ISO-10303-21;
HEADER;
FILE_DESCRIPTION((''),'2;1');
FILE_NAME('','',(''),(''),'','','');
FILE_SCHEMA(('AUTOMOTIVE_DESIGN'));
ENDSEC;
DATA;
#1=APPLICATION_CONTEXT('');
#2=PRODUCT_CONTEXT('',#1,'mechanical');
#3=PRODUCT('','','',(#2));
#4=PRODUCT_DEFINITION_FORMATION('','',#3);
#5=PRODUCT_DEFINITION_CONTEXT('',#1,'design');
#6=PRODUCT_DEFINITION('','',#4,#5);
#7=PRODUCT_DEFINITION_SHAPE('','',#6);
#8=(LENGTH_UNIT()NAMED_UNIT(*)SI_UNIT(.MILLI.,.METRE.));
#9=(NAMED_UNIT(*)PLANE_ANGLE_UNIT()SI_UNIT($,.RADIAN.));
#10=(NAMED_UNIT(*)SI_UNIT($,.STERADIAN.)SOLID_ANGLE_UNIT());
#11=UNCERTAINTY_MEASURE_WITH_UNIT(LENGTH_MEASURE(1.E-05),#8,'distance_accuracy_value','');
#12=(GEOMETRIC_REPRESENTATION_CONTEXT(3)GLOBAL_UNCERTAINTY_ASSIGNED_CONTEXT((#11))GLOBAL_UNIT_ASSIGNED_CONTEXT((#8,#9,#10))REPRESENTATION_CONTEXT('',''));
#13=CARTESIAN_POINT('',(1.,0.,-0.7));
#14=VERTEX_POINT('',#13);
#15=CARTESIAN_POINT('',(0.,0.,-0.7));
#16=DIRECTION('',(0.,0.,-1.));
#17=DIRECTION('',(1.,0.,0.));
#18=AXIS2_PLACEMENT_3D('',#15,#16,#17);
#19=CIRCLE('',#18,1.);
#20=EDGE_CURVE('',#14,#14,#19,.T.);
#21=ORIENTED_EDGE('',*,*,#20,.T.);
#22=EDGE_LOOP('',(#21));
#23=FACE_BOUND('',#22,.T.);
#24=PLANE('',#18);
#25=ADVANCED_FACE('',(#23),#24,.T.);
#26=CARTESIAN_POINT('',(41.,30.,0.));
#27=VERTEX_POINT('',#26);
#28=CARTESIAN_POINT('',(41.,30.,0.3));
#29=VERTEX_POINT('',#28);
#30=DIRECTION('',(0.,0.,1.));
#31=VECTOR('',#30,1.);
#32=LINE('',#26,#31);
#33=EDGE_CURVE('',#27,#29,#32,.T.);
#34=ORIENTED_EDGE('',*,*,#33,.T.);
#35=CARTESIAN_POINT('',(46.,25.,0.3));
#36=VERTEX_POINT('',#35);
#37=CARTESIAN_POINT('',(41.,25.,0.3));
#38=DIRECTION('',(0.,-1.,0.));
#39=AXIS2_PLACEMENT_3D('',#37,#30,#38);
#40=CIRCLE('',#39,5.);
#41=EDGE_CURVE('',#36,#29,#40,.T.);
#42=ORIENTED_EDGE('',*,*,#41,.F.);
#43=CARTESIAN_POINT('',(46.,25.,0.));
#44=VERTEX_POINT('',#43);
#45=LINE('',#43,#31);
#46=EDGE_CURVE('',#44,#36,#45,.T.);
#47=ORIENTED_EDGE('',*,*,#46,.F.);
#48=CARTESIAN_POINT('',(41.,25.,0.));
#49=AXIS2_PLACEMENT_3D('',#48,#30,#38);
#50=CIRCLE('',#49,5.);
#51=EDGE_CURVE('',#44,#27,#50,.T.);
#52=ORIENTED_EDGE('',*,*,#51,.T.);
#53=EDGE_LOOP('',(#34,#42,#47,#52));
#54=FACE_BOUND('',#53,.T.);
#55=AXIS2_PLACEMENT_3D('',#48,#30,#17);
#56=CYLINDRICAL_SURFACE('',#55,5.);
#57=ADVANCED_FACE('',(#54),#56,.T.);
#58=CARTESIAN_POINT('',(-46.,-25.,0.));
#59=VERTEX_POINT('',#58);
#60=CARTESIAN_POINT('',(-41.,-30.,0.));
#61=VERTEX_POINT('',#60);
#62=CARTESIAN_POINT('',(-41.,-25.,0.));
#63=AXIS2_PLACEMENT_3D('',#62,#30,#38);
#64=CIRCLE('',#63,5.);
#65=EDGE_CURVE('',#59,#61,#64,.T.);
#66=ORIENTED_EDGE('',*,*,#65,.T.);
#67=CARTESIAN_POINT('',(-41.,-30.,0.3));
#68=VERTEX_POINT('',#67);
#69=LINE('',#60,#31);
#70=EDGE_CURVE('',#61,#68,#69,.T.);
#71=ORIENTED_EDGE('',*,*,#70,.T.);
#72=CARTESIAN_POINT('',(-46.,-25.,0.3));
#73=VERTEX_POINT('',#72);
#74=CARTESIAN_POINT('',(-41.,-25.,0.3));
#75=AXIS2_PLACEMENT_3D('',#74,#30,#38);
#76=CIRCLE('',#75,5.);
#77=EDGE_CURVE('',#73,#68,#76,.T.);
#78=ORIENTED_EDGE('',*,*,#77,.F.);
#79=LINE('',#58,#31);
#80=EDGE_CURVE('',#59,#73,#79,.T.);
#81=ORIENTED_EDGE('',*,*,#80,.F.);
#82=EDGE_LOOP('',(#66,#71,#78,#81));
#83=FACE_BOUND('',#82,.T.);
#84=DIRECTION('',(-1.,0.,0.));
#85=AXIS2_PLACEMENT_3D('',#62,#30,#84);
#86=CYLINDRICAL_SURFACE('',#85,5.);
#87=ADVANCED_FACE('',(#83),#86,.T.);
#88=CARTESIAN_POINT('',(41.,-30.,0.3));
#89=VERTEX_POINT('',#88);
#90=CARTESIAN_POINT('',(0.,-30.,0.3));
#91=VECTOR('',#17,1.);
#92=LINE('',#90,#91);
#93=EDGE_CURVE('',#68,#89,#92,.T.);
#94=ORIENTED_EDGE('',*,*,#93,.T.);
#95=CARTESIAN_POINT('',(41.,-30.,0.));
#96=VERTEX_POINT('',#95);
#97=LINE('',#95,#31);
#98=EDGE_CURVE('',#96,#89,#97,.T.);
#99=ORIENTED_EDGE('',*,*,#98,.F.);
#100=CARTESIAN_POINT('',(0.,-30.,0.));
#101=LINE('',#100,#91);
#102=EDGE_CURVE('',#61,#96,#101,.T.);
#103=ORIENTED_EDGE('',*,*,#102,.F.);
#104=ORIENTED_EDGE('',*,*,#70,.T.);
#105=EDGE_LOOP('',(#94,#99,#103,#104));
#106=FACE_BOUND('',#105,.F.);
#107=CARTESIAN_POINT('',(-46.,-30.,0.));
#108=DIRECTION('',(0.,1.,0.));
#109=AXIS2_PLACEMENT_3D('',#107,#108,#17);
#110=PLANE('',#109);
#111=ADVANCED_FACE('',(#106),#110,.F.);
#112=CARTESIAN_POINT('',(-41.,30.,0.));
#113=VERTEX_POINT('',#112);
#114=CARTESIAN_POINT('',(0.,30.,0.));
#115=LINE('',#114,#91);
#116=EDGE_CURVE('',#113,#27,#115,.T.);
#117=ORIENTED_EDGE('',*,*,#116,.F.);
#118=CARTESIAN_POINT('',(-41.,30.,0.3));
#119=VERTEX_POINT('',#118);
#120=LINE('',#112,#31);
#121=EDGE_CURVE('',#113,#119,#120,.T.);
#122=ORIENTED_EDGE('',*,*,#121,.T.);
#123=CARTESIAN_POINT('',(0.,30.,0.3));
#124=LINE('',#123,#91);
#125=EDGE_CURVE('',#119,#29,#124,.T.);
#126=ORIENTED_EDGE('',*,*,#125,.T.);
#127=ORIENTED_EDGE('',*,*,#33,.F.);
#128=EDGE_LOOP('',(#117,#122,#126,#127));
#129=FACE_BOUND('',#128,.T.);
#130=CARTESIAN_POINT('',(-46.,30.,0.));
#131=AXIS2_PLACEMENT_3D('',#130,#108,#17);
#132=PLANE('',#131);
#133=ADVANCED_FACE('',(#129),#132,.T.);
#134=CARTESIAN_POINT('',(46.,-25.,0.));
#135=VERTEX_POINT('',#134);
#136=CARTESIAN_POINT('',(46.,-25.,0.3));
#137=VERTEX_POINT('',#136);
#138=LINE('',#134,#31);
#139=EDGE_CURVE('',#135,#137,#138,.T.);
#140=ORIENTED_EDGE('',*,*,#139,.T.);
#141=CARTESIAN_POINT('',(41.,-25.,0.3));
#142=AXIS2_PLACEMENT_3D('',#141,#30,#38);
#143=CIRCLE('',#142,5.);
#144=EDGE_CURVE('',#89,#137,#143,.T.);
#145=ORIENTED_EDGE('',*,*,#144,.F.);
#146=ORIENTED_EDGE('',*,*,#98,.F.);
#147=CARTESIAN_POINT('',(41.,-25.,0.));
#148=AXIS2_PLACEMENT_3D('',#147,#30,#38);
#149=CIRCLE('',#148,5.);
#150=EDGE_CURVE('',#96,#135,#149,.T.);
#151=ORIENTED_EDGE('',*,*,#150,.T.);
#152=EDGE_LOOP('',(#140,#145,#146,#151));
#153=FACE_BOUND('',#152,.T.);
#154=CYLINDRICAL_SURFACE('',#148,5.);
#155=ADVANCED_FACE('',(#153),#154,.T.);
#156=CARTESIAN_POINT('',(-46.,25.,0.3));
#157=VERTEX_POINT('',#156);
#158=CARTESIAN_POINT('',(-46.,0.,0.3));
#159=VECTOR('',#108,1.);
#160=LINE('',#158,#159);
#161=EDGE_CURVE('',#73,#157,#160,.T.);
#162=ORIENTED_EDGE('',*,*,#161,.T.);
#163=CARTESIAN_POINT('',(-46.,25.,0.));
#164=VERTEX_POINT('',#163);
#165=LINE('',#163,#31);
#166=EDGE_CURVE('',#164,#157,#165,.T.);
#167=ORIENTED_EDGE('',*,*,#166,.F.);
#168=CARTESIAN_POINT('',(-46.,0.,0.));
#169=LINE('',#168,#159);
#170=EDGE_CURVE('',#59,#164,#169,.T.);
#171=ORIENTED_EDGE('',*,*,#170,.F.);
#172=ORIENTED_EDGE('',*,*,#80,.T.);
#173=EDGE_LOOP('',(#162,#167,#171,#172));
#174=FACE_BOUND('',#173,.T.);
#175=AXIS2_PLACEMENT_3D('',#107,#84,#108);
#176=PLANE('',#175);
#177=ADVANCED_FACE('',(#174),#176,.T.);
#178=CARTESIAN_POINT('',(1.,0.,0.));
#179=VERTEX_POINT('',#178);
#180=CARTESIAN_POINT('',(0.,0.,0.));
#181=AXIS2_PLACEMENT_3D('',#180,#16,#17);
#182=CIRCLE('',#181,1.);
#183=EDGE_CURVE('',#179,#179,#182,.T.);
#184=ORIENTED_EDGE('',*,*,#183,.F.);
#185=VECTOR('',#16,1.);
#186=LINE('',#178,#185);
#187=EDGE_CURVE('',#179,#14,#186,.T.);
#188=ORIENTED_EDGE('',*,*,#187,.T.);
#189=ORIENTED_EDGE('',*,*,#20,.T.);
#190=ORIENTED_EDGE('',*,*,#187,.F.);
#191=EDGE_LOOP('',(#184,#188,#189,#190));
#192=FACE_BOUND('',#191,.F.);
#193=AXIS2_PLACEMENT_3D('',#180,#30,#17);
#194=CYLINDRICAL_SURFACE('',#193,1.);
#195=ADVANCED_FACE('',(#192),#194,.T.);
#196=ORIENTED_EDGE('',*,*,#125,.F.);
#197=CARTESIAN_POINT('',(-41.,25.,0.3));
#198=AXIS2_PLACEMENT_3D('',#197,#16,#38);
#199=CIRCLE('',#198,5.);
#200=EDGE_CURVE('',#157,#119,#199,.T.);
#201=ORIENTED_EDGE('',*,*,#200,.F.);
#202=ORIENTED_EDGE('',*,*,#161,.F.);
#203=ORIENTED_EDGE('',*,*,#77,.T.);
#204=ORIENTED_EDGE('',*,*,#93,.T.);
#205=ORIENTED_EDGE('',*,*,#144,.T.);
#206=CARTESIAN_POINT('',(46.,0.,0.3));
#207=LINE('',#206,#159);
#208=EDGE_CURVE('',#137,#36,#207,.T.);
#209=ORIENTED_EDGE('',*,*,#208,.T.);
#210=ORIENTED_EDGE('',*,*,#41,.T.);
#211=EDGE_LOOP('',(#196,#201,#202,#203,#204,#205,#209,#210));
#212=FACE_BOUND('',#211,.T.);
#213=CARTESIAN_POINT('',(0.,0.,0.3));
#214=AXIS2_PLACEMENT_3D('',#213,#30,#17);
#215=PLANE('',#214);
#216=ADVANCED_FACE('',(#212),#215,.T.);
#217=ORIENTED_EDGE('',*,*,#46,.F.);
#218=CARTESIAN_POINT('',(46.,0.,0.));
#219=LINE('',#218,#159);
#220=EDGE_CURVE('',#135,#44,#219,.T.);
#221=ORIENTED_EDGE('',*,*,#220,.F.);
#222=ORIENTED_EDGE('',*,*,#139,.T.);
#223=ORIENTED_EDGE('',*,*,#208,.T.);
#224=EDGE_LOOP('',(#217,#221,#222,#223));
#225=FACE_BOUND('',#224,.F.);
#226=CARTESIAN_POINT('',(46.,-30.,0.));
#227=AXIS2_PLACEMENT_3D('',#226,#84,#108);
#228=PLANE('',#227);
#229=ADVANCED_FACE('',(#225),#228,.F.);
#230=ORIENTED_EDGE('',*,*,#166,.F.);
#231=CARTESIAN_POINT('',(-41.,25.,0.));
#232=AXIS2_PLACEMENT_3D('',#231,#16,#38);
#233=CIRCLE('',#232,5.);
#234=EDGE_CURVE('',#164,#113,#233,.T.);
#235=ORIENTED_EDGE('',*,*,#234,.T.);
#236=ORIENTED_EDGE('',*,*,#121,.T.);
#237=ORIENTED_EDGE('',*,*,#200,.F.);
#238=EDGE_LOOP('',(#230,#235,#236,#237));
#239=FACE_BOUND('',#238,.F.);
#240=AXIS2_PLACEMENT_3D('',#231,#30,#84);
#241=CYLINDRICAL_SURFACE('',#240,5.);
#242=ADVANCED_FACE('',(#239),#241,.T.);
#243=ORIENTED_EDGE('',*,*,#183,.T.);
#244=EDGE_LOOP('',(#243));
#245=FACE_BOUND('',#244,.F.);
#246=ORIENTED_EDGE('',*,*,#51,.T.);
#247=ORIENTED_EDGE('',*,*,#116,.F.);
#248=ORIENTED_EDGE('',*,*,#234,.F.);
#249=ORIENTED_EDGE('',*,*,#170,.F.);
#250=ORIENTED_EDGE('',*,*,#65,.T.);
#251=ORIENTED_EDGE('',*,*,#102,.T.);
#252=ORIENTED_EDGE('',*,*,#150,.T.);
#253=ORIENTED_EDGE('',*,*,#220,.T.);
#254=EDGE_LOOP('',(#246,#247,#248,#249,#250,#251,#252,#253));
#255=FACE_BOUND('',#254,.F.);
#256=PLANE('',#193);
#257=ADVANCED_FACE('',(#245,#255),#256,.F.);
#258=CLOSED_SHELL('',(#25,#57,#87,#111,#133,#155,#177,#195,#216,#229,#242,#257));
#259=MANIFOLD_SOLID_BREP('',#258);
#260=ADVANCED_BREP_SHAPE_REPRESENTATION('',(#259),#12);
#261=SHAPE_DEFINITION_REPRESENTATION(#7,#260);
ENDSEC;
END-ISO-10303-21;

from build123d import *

# Parameters (mm, degrees)
F0_W     = 92
F0_H     = 60
F1_DEPTH = 0.3
F2_R     = 5
F3_R     = 1
F4_DEPTH = 0.7


with BuildPart() as f1:
    # F0 (on Top) → F1 (new body)
    with BuildSketch(Plane.XY):
        Rectangle(F0_W, F0_H)
    extrude(amount=F1_DEPTH)

    # F2
    f2_edges = [f1.edges().sort_by_distance(p)[0] for p in [
        (-46, 30, 0.15),
        (-46, -30, 0.15),
        (46, 30, 0.15),
        (46, -30, 0.15),
    ]]
    fillet(f2_edges, radius=F2_R)

    # F3 (on face) → F4 (join)
    with BuildSketch(Plane(origin=(0, 0, 0), x_dir=(1, 0, 0), z_dir=(0, 0, -1))):
        Circle(F3_R)
    extrude(amount=F4_DEPTH)


solid = f1.part
